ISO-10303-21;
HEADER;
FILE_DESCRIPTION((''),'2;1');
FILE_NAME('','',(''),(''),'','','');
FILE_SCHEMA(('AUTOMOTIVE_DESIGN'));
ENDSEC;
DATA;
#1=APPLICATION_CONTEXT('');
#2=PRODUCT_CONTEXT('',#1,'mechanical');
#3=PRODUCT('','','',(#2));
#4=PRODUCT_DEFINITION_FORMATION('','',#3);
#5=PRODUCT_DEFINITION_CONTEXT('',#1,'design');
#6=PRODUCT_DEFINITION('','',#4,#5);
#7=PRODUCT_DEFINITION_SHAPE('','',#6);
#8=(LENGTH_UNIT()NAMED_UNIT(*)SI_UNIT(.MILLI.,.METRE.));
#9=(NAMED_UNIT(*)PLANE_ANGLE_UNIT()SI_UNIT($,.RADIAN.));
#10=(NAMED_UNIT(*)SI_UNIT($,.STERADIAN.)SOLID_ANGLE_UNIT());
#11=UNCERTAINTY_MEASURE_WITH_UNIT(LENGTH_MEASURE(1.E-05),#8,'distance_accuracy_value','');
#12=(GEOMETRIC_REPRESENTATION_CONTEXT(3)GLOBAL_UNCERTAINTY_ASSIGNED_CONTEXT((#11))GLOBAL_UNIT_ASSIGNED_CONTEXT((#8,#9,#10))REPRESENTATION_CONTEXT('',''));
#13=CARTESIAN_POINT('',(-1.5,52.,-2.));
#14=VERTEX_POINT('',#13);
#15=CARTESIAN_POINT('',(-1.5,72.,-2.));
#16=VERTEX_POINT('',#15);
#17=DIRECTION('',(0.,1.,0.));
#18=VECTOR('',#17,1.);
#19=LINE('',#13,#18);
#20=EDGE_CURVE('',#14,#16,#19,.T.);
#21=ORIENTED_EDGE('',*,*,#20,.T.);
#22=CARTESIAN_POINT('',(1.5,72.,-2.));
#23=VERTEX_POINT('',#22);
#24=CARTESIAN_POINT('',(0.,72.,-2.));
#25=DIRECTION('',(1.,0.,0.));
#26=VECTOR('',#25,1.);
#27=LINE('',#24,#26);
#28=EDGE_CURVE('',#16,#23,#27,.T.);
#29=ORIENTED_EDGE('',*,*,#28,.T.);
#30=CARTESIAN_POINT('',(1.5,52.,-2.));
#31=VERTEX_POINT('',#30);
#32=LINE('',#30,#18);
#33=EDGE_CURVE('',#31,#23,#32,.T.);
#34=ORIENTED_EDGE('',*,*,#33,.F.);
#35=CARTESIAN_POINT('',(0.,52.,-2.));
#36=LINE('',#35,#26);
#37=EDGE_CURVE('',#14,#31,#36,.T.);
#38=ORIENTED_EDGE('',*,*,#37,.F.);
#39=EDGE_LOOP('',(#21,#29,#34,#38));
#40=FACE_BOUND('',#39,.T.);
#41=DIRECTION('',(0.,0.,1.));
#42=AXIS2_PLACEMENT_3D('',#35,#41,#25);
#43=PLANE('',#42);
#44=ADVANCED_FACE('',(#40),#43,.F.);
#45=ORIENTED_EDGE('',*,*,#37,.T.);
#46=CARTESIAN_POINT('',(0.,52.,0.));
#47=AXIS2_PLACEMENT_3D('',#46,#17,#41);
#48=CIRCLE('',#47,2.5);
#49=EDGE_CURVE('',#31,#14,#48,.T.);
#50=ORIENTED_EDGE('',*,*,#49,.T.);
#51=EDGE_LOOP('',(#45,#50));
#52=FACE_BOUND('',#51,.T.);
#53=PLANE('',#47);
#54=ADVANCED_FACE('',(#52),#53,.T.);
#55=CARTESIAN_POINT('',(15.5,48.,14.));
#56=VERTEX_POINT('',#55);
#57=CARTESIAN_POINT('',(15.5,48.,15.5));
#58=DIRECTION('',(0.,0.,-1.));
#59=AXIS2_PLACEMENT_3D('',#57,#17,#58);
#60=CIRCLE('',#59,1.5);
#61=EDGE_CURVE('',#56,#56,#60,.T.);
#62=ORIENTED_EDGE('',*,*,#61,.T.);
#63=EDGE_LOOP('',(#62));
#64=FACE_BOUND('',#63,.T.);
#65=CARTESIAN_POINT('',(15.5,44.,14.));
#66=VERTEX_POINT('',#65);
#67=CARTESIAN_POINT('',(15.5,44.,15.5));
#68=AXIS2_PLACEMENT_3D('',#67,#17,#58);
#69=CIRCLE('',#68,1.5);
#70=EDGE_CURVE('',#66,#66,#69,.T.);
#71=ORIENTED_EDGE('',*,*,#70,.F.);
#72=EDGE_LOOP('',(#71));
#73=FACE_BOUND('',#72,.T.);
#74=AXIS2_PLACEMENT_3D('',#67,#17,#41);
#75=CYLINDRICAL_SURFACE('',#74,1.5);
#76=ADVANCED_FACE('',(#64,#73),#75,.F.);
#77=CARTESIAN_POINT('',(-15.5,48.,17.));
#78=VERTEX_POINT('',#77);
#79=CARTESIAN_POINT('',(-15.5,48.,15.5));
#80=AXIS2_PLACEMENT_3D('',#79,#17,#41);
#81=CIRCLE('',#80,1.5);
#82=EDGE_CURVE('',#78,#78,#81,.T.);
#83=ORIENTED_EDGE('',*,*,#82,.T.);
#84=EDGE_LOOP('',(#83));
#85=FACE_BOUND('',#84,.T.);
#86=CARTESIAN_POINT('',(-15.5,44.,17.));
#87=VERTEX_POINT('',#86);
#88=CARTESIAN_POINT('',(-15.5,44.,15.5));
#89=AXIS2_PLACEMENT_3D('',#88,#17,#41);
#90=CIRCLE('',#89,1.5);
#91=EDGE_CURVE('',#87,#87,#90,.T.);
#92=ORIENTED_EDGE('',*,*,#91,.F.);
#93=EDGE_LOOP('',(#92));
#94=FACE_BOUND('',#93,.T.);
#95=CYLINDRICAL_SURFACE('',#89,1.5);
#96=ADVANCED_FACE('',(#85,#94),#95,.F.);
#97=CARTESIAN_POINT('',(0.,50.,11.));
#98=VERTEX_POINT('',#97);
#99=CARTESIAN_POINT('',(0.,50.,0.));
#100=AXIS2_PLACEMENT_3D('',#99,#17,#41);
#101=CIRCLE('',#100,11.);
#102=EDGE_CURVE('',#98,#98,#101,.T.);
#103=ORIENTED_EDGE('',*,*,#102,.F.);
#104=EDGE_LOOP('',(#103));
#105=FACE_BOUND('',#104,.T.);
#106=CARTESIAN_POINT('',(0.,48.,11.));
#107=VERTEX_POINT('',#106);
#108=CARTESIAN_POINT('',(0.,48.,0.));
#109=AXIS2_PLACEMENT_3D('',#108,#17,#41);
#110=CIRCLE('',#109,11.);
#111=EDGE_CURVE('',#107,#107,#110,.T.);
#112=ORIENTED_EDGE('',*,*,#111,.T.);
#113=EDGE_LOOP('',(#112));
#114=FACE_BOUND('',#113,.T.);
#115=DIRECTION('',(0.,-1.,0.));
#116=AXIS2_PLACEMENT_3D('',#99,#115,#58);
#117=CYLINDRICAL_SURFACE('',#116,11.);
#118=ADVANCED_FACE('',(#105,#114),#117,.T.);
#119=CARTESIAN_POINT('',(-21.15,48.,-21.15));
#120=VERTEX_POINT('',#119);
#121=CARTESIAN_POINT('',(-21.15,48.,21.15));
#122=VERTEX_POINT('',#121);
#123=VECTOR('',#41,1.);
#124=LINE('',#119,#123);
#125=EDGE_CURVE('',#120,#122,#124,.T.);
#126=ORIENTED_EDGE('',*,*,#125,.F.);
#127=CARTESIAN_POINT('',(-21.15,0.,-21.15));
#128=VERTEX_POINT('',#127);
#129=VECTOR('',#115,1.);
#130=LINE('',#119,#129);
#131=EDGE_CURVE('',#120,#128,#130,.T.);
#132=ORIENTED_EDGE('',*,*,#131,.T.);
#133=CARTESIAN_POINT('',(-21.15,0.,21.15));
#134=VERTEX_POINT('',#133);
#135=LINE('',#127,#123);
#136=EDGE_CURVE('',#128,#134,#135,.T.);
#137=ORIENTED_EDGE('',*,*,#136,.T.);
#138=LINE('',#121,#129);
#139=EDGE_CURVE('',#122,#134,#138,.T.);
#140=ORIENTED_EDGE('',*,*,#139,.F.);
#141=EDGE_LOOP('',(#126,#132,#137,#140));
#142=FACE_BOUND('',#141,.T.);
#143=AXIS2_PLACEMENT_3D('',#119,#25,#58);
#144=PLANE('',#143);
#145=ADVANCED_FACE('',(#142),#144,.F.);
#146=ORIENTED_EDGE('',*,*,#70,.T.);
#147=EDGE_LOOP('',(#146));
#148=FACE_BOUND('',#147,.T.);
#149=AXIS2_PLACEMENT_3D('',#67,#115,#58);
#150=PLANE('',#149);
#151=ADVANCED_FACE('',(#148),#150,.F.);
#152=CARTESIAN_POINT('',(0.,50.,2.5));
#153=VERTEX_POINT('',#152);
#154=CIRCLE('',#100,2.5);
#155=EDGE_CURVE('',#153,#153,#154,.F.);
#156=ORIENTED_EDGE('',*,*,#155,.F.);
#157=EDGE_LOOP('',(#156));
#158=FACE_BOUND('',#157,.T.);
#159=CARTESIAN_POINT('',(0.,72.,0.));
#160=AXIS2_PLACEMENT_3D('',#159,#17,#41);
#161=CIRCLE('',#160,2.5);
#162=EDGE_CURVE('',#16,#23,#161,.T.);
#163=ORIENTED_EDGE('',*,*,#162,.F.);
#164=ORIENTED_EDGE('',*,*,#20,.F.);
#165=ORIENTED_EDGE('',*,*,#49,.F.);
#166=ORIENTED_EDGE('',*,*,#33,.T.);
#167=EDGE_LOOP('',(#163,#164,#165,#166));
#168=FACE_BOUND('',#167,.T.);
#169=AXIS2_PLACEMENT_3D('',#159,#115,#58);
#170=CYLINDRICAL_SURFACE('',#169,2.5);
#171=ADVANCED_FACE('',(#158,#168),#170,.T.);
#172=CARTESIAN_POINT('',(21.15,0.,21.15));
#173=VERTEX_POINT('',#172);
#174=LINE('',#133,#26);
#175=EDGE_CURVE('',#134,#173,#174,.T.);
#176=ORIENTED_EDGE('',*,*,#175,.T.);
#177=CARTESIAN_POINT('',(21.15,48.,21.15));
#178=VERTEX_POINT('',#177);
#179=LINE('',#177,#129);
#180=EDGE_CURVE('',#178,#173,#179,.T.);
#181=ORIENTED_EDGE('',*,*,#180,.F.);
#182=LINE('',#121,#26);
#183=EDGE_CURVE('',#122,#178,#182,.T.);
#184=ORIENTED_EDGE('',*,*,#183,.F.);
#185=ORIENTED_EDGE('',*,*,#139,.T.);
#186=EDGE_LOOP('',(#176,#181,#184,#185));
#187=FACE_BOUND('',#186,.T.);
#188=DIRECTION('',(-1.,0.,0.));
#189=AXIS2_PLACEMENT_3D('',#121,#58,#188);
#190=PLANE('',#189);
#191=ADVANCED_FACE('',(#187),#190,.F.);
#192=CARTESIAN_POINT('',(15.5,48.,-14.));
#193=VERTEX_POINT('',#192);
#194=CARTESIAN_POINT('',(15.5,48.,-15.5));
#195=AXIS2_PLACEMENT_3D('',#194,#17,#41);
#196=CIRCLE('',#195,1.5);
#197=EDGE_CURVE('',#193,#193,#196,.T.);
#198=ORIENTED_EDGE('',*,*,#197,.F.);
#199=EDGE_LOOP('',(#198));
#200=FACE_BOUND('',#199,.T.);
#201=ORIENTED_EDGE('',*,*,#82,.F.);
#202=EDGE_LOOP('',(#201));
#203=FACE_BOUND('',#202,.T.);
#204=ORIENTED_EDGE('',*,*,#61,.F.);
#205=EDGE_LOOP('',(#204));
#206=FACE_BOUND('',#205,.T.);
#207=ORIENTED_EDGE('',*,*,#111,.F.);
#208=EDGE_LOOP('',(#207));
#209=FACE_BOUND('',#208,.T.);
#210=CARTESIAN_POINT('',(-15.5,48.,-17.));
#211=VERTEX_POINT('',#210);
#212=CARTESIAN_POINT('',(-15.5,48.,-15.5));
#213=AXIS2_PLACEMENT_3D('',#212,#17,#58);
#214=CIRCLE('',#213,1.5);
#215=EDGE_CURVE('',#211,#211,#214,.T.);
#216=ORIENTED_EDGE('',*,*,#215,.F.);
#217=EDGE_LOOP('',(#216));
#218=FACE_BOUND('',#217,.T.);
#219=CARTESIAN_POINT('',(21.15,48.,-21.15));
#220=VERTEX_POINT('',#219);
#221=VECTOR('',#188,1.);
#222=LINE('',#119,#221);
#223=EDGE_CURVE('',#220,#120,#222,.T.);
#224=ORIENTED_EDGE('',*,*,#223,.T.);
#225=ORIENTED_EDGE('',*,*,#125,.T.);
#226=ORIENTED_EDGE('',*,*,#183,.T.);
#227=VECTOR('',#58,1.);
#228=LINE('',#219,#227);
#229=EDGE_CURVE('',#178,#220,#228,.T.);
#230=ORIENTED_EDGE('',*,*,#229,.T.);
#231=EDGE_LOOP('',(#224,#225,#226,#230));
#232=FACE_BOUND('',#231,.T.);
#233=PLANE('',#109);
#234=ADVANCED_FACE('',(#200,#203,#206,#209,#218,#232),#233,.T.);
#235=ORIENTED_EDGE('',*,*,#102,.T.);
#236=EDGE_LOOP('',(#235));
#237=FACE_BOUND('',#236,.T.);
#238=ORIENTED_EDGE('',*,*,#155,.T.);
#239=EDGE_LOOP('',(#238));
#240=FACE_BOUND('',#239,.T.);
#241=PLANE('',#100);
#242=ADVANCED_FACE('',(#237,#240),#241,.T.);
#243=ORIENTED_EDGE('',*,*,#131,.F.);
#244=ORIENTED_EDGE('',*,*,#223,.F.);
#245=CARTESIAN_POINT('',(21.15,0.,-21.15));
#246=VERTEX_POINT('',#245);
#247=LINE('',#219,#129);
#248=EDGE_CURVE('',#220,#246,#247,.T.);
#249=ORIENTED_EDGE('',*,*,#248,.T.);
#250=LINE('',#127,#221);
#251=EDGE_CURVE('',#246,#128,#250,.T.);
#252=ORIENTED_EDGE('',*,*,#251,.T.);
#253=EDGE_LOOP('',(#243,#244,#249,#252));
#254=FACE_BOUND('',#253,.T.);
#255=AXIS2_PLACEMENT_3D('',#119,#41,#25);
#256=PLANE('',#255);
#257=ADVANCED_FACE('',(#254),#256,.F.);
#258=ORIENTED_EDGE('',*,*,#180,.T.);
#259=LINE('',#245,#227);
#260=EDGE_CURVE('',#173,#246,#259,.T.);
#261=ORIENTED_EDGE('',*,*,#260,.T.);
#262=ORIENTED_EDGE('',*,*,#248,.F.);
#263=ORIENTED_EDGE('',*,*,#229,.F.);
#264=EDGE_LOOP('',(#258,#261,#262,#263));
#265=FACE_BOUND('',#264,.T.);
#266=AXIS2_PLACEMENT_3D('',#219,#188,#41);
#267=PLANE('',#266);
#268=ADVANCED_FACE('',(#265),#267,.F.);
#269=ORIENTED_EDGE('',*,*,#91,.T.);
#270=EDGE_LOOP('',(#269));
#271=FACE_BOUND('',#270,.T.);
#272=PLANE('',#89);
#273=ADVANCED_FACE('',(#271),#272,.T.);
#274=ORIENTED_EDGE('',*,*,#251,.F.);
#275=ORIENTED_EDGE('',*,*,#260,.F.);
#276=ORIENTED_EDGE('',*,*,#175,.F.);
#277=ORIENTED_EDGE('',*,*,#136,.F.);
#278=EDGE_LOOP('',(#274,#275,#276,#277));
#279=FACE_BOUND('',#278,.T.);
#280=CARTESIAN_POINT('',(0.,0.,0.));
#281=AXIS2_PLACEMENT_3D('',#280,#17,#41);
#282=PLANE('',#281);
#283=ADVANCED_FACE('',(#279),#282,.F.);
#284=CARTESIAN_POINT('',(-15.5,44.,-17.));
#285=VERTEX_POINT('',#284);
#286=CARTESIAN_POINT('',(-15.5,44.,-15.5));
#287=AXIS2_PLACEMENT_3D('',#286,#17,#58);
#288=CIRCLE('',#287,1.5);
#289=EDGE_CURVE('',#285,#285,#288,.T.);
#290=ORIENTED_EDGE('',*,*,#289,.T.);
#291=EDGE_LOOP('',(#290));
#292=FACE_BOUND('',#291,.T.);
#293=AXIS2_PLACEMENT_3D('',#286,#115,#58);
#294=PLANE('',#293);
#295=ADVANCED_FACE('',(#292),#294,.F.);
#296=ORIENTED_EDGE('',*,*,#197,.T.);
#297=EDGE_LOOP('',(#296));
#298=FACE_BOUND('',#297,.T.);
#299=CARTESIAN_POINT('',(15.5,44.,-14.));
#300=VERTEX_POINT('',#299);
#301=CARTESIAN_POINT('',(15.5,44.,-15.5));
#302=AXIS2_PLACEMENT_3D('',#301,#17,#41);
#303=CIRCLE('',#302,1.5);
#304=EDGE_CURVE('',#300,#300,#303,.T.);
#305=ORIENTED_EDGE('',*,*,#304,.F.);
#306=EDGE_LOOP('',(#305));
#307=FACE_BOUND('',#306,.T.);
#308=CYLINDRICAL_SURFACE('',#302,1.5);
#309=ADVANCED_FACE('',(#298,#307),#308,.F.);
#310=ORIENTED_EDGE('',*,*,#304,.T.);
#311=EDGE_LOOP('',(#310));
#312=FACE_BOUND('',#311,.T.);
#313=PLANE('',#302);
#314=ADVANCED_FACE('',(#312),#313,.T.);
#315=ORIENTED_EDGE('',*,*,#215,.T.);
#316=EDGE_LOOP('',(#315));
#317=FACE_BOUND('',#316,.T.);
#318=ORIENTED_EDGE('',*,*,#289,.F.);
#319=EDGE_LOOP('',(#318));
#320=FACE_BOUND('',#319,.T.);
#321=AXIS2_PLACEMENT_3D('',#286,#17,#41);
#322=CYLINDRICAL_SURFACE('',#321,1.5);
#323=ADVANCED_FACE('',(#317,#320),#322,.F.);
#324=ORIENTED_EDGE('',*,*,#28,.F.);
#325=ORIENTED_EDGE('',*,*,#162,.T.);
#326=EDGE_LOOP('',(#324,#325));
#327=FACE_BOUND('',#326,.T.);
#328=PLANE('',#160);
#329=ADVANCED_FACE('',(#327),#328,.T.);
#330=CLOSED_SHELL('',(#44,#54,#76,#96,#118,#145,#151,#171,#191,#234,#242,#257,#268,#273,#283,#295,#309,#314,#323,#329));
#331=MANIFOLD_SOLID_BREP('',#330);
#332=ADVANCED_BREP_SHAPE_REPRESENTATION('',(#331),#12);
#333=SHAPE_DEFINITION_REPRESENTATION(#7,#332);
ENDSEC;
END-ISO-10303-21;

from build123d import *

# Parameters (mm, degrees)
SKETCH1_W           = 42.3
SKETCH1_H           = 42.3
BOSS_EXTRUDE1_DEPTH = 48
SKETCH2_R           = 11
BOSS_EXTRUDE2_DEPTH = 2
SKETCH3_R           = 2.5
BOSS_EXTRUDE3_DEPTH = 24
SKETCH4_R           = 1.5
CUT_EXTRUDE1_DEPTH  = 4
CUT_EXTRUDE2_DEPTH  = 20


with BuildPart() as part:
    # Sketch1 → Boss-Extrude1 (new body)
    with BuildSketch(Plane(origin=(0, 0, 0), x_dir=(1, 0, 0), z_dir=(0, 1, 0))):
        Rectangle(SKETCH1_W, SKETCH1_H)
    extrude(amount=BOSS_EXTRUDE1_DEPTH)

    # Sketch2 → Boss-Extrude2 (add)
    with BuildSketch(Plane(origin=(0, 48, 0), x_dir=(1, 0, 0), z_dir=(0, 1, 0))):
        Circle(SKETCH2_R)
    extrude(amount=BOSS_EXTRUDE2_DEPTH)

    # Sketch3 → Boss-Extrude3 (add)
    with BuildSketch(Plane(origin=(0, 48, 0), x_dir=(1, 0, 0), z_dir=(0, 1, 0))):
        Circle(SKETCH3_R)
    extrude(amount=BOSS_EXTRUDE3_DEPTH)

    # Sketch4 → Cut-Extrude1 (cut)
    with BuildSketch(Plane(origin=(0, 48, 0), x_dir=(1, 0, 0), z_dir=(0, 1, 0))):
        with Locations((15.5, 15.5)):
            Circle(SKETCH4_R)
        with Locations((15.5, -15.5)):
            Circle(SKETCH4_R)
        with Locations((-15.5, 15.5)):
            Circle(SKETCH4_R)
        with Locations((-15.5, -15.5)):
            Circle(SKETCH4_R)
    extrude(amount=-CUT_EXTRUDE1_DEPTH, mode=Mode.SUBTRACT)

    # Sketch5 → Cut-Extrude2 (cut)
    with BuildSketch(Plane(origin=(0, 72, 0), x_dir=(1, 0, 0), z_dir=(0, 1, 0))):
        Polygon((-76.274840795, 2), (-1.5, 2), (1.5, 2), (76.274840795, 2), (76.274840795, 151.54968159), (-76.274840795, 151.54968159), align=None)
    extrude(amount=-CUT_EXTRUDE2_DEPTH, mode=Mode.SUBTRACT)


solid = part.part
